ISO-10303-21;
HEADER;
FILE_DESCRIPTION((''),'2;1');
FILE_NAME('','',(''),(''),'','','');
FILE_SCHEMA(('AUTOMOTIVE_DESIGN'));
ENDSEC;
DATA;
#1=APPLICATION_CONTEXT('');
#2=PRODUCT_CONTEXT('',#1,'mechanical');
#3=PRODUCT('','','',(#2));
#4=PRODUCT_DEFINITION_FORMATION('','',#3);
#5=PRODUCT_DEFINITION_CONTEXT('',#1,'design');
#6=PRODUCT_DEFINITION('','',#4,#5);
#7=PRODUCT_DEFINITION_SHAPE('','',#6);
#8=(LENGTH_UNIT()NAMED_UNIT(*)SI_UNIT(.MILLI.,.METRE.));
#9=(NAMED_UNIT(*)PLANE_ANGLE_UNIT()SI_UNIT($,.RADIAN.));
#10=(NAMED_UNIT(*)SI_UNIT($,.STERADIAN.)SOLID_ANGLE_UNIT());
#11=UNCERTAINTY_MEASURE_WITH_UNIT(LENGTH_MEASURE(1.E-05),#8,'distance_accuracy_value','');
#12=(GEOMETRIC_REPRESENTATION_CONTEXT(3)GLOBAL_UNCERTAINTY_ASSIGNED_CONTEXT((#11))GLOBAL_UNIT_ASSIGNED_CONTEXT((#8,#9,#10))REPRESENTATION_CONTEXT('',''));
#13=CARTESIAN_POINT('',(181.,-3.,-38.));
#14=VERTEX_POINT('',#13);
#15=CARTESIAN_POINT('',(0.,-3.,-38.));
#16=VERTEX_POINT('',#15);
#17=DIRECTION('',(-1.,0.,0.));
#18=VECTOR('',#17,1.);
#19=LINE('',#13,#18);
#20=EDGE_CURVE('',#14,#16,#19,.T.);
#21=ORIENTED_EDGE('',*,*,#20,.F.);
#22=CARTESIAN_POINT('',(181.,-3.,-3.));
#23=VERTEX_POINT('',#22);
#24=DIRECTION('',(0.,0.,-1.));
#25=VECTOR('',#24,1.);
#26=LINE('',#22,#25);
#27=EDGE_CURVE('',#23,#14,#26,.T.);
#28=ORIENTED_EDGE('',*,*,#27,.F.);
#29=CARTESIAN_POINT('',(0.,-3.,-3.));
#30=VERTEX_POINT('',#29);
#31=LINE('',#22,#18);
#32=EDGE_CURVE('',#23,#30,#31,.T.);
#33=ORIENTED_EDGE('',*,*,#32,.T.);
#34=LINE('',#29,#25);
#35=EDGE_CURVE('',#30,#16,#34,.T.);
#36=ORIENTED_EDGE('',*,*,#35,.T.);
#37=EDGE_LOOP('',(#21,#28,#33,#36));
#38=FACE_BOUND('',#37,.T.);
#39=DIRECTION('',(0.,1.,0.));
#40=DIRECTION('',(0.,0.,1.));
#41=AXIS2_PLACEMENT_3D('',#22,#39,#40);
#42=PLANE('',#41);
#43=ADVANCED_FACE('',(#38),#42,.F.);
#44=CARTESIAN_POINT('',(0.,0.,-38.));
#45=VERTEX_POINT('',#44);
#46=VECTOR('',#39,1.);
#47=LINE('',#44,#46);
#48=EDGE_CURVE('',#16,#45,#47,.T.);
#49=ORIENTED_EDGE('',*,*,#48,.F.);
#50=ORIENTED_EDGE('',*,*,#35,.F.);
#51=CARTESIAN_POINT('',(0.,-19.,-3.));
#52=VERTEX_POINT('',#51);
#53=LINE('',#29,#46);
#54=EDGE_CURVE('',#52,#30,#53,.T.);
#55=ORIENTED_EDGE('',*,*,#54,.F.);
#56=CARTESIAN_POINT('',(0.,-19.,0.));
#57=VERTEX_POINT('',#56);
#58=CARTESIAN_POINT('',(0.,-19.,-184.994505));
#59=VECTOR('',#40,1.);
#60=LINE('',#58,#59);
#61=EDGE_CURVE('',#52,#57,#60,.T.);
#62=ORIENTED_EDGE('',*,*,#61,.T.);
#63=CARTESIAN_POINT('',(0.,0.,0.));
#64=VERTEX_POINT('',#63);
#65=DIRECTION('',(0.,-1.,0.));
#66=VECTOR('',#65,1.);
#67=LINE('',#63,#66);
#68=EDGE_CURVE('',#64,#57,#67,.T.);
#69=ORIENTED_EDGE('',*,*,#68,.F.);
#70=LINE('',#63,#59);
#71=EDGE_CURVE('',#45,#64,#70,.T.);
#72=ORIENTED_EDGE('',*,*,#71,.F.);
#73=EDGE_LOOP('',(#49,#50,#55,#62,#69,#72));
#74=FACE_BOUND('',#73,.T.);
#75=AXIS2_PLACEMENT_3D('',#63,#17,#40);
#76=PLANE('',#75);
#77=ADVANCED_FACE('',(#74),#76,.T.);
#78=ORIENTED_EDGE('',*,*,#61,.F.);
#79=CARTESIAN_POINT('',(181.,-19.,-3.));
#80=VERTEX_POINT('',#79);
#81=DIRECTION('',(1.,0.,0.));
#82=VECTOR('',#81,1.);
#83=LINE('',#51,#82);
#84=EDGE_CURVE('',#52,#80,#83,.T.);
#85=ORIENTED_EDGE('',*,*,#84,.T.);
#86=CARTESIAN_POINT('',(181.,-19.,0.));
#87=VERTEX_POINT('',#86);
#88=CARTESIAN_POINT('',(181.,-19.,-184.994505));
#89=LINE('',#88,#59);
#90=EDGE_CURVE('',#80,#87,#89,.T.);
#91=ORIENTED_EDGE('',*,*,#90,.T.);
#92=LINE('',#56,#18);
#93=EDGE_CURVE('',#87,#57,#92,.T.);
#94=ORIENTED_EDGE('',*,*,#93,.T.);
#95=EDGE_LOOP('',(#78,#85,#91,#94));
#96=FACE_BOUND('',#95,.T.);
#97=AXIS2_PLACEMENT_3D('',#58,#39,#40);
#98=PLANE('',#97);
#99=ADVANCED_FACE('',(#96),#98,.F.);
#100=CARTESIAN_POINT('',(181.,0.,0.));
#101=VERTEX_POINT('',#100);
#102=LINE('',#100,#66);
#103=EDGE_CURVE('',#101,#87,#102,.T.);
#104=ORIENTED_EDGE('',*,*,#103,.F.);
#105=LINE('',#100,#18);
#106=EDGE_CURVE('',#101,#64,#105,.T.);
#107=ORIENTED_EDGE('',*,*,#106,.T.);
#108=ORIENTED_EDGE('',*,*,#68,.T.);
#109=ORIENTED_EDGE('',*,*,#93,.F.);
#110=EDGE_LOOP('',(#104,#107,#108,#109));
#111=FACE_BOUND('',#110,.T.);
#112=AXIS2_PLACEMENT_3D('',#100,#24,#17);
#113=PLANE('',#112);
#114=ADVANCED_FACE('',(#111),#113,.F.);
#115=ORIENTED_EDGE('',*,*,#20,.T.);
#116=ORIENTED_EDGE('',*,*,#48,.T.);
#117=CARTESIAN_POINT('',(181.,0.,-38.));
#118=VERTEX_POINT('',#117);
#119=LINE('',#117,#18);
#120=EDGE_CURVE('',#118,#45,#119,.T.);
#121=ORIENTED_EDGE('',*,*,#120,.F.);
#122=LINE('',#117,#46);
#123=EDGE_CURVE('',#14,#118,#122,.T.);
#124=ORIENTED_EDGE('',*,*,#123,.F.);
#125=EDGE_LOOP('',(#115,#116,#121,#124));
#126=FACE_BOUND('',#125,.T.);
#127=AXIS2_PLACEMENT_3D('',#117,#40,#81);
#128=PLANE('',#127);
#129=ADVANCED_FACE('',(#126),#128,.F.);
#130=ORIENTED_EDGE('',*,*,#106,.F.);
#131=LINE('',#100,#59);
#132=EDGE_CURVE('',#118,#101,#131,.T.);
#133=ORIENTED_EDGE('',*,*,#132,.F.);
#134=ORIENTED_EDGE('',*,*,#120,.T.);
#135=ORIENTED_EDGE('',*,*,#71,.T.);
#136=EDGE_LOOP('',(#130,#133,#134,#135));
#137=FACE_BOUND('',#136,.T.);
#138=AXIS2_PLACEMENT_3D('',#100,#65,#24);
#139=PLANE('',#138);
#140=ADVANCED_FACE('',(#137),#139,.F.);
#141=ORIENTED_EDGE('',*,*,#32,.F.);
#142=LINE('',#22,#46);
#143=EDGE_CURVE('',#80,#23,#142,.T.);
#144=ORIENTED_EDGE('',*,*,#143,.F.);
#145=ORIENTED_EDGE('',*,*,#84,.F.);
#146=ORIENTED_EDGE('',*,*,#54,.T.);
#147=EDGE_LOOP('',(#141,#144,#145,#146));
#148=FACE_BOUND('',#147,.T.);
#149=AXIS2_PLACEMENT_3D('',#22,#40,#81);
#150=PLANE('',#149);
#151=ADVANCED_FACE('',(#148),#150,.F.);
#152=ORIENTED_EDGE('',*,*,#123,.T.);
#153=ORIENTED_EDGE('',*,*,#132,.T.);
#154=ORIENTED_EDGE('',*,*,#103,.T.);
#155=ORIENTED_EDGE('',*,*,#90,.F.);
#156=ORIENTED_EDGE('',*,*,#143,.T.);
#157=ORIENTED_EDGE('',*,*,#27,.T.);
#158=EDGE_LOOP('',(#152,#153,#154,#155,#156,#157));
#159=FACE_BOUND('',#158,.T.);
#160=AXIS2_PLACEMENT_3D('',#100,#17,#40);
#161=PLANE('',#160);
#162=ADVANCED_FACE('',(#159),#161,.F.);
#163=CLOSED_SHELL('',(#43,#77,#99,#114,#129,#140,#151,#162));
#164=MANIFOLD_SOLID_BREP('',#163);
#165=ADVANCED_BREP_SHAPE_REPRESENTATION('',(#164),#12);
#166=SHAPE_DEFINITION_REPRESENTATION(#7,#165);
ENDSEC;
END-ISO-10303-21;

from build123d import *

# Parameters (mm, degrees)
SALIENTE_EXTRUIR1_DEPTH = 181
CROQUIS2_W              = 181
CROQUIS2_H              = 19
CORTAR_EXTRUIR1_DEPTH   = 3


with BuildPart() as part:
    # Croquis1 → Saliente-Extruir1 (new body)
    with BuildSketch(Plane(origin=(0, 0, 0), x_dir=(0, 0, -1), z_dir=(1, 0, 0))):
        Polygon((0, 0), (0, -38), (3, -38), (3, -3), (38, -3), (38, 0), align=None)
    extrude(amount=SALIENTE_EXTRUIR1_DEPTH)

    # Croquis2 → Cortar-Extruir1 (cut)
    with BuildSketch(Plane.XY):
        with Locations((90.5, -28.5)):
            Rectangle(CROQUIS2_W, CROQUIS2_H)
    extrude(amount=-CORTAR_EXTRUIR1_DEPTH, mode=Mode.SUBTRACT)


solid = part.part
